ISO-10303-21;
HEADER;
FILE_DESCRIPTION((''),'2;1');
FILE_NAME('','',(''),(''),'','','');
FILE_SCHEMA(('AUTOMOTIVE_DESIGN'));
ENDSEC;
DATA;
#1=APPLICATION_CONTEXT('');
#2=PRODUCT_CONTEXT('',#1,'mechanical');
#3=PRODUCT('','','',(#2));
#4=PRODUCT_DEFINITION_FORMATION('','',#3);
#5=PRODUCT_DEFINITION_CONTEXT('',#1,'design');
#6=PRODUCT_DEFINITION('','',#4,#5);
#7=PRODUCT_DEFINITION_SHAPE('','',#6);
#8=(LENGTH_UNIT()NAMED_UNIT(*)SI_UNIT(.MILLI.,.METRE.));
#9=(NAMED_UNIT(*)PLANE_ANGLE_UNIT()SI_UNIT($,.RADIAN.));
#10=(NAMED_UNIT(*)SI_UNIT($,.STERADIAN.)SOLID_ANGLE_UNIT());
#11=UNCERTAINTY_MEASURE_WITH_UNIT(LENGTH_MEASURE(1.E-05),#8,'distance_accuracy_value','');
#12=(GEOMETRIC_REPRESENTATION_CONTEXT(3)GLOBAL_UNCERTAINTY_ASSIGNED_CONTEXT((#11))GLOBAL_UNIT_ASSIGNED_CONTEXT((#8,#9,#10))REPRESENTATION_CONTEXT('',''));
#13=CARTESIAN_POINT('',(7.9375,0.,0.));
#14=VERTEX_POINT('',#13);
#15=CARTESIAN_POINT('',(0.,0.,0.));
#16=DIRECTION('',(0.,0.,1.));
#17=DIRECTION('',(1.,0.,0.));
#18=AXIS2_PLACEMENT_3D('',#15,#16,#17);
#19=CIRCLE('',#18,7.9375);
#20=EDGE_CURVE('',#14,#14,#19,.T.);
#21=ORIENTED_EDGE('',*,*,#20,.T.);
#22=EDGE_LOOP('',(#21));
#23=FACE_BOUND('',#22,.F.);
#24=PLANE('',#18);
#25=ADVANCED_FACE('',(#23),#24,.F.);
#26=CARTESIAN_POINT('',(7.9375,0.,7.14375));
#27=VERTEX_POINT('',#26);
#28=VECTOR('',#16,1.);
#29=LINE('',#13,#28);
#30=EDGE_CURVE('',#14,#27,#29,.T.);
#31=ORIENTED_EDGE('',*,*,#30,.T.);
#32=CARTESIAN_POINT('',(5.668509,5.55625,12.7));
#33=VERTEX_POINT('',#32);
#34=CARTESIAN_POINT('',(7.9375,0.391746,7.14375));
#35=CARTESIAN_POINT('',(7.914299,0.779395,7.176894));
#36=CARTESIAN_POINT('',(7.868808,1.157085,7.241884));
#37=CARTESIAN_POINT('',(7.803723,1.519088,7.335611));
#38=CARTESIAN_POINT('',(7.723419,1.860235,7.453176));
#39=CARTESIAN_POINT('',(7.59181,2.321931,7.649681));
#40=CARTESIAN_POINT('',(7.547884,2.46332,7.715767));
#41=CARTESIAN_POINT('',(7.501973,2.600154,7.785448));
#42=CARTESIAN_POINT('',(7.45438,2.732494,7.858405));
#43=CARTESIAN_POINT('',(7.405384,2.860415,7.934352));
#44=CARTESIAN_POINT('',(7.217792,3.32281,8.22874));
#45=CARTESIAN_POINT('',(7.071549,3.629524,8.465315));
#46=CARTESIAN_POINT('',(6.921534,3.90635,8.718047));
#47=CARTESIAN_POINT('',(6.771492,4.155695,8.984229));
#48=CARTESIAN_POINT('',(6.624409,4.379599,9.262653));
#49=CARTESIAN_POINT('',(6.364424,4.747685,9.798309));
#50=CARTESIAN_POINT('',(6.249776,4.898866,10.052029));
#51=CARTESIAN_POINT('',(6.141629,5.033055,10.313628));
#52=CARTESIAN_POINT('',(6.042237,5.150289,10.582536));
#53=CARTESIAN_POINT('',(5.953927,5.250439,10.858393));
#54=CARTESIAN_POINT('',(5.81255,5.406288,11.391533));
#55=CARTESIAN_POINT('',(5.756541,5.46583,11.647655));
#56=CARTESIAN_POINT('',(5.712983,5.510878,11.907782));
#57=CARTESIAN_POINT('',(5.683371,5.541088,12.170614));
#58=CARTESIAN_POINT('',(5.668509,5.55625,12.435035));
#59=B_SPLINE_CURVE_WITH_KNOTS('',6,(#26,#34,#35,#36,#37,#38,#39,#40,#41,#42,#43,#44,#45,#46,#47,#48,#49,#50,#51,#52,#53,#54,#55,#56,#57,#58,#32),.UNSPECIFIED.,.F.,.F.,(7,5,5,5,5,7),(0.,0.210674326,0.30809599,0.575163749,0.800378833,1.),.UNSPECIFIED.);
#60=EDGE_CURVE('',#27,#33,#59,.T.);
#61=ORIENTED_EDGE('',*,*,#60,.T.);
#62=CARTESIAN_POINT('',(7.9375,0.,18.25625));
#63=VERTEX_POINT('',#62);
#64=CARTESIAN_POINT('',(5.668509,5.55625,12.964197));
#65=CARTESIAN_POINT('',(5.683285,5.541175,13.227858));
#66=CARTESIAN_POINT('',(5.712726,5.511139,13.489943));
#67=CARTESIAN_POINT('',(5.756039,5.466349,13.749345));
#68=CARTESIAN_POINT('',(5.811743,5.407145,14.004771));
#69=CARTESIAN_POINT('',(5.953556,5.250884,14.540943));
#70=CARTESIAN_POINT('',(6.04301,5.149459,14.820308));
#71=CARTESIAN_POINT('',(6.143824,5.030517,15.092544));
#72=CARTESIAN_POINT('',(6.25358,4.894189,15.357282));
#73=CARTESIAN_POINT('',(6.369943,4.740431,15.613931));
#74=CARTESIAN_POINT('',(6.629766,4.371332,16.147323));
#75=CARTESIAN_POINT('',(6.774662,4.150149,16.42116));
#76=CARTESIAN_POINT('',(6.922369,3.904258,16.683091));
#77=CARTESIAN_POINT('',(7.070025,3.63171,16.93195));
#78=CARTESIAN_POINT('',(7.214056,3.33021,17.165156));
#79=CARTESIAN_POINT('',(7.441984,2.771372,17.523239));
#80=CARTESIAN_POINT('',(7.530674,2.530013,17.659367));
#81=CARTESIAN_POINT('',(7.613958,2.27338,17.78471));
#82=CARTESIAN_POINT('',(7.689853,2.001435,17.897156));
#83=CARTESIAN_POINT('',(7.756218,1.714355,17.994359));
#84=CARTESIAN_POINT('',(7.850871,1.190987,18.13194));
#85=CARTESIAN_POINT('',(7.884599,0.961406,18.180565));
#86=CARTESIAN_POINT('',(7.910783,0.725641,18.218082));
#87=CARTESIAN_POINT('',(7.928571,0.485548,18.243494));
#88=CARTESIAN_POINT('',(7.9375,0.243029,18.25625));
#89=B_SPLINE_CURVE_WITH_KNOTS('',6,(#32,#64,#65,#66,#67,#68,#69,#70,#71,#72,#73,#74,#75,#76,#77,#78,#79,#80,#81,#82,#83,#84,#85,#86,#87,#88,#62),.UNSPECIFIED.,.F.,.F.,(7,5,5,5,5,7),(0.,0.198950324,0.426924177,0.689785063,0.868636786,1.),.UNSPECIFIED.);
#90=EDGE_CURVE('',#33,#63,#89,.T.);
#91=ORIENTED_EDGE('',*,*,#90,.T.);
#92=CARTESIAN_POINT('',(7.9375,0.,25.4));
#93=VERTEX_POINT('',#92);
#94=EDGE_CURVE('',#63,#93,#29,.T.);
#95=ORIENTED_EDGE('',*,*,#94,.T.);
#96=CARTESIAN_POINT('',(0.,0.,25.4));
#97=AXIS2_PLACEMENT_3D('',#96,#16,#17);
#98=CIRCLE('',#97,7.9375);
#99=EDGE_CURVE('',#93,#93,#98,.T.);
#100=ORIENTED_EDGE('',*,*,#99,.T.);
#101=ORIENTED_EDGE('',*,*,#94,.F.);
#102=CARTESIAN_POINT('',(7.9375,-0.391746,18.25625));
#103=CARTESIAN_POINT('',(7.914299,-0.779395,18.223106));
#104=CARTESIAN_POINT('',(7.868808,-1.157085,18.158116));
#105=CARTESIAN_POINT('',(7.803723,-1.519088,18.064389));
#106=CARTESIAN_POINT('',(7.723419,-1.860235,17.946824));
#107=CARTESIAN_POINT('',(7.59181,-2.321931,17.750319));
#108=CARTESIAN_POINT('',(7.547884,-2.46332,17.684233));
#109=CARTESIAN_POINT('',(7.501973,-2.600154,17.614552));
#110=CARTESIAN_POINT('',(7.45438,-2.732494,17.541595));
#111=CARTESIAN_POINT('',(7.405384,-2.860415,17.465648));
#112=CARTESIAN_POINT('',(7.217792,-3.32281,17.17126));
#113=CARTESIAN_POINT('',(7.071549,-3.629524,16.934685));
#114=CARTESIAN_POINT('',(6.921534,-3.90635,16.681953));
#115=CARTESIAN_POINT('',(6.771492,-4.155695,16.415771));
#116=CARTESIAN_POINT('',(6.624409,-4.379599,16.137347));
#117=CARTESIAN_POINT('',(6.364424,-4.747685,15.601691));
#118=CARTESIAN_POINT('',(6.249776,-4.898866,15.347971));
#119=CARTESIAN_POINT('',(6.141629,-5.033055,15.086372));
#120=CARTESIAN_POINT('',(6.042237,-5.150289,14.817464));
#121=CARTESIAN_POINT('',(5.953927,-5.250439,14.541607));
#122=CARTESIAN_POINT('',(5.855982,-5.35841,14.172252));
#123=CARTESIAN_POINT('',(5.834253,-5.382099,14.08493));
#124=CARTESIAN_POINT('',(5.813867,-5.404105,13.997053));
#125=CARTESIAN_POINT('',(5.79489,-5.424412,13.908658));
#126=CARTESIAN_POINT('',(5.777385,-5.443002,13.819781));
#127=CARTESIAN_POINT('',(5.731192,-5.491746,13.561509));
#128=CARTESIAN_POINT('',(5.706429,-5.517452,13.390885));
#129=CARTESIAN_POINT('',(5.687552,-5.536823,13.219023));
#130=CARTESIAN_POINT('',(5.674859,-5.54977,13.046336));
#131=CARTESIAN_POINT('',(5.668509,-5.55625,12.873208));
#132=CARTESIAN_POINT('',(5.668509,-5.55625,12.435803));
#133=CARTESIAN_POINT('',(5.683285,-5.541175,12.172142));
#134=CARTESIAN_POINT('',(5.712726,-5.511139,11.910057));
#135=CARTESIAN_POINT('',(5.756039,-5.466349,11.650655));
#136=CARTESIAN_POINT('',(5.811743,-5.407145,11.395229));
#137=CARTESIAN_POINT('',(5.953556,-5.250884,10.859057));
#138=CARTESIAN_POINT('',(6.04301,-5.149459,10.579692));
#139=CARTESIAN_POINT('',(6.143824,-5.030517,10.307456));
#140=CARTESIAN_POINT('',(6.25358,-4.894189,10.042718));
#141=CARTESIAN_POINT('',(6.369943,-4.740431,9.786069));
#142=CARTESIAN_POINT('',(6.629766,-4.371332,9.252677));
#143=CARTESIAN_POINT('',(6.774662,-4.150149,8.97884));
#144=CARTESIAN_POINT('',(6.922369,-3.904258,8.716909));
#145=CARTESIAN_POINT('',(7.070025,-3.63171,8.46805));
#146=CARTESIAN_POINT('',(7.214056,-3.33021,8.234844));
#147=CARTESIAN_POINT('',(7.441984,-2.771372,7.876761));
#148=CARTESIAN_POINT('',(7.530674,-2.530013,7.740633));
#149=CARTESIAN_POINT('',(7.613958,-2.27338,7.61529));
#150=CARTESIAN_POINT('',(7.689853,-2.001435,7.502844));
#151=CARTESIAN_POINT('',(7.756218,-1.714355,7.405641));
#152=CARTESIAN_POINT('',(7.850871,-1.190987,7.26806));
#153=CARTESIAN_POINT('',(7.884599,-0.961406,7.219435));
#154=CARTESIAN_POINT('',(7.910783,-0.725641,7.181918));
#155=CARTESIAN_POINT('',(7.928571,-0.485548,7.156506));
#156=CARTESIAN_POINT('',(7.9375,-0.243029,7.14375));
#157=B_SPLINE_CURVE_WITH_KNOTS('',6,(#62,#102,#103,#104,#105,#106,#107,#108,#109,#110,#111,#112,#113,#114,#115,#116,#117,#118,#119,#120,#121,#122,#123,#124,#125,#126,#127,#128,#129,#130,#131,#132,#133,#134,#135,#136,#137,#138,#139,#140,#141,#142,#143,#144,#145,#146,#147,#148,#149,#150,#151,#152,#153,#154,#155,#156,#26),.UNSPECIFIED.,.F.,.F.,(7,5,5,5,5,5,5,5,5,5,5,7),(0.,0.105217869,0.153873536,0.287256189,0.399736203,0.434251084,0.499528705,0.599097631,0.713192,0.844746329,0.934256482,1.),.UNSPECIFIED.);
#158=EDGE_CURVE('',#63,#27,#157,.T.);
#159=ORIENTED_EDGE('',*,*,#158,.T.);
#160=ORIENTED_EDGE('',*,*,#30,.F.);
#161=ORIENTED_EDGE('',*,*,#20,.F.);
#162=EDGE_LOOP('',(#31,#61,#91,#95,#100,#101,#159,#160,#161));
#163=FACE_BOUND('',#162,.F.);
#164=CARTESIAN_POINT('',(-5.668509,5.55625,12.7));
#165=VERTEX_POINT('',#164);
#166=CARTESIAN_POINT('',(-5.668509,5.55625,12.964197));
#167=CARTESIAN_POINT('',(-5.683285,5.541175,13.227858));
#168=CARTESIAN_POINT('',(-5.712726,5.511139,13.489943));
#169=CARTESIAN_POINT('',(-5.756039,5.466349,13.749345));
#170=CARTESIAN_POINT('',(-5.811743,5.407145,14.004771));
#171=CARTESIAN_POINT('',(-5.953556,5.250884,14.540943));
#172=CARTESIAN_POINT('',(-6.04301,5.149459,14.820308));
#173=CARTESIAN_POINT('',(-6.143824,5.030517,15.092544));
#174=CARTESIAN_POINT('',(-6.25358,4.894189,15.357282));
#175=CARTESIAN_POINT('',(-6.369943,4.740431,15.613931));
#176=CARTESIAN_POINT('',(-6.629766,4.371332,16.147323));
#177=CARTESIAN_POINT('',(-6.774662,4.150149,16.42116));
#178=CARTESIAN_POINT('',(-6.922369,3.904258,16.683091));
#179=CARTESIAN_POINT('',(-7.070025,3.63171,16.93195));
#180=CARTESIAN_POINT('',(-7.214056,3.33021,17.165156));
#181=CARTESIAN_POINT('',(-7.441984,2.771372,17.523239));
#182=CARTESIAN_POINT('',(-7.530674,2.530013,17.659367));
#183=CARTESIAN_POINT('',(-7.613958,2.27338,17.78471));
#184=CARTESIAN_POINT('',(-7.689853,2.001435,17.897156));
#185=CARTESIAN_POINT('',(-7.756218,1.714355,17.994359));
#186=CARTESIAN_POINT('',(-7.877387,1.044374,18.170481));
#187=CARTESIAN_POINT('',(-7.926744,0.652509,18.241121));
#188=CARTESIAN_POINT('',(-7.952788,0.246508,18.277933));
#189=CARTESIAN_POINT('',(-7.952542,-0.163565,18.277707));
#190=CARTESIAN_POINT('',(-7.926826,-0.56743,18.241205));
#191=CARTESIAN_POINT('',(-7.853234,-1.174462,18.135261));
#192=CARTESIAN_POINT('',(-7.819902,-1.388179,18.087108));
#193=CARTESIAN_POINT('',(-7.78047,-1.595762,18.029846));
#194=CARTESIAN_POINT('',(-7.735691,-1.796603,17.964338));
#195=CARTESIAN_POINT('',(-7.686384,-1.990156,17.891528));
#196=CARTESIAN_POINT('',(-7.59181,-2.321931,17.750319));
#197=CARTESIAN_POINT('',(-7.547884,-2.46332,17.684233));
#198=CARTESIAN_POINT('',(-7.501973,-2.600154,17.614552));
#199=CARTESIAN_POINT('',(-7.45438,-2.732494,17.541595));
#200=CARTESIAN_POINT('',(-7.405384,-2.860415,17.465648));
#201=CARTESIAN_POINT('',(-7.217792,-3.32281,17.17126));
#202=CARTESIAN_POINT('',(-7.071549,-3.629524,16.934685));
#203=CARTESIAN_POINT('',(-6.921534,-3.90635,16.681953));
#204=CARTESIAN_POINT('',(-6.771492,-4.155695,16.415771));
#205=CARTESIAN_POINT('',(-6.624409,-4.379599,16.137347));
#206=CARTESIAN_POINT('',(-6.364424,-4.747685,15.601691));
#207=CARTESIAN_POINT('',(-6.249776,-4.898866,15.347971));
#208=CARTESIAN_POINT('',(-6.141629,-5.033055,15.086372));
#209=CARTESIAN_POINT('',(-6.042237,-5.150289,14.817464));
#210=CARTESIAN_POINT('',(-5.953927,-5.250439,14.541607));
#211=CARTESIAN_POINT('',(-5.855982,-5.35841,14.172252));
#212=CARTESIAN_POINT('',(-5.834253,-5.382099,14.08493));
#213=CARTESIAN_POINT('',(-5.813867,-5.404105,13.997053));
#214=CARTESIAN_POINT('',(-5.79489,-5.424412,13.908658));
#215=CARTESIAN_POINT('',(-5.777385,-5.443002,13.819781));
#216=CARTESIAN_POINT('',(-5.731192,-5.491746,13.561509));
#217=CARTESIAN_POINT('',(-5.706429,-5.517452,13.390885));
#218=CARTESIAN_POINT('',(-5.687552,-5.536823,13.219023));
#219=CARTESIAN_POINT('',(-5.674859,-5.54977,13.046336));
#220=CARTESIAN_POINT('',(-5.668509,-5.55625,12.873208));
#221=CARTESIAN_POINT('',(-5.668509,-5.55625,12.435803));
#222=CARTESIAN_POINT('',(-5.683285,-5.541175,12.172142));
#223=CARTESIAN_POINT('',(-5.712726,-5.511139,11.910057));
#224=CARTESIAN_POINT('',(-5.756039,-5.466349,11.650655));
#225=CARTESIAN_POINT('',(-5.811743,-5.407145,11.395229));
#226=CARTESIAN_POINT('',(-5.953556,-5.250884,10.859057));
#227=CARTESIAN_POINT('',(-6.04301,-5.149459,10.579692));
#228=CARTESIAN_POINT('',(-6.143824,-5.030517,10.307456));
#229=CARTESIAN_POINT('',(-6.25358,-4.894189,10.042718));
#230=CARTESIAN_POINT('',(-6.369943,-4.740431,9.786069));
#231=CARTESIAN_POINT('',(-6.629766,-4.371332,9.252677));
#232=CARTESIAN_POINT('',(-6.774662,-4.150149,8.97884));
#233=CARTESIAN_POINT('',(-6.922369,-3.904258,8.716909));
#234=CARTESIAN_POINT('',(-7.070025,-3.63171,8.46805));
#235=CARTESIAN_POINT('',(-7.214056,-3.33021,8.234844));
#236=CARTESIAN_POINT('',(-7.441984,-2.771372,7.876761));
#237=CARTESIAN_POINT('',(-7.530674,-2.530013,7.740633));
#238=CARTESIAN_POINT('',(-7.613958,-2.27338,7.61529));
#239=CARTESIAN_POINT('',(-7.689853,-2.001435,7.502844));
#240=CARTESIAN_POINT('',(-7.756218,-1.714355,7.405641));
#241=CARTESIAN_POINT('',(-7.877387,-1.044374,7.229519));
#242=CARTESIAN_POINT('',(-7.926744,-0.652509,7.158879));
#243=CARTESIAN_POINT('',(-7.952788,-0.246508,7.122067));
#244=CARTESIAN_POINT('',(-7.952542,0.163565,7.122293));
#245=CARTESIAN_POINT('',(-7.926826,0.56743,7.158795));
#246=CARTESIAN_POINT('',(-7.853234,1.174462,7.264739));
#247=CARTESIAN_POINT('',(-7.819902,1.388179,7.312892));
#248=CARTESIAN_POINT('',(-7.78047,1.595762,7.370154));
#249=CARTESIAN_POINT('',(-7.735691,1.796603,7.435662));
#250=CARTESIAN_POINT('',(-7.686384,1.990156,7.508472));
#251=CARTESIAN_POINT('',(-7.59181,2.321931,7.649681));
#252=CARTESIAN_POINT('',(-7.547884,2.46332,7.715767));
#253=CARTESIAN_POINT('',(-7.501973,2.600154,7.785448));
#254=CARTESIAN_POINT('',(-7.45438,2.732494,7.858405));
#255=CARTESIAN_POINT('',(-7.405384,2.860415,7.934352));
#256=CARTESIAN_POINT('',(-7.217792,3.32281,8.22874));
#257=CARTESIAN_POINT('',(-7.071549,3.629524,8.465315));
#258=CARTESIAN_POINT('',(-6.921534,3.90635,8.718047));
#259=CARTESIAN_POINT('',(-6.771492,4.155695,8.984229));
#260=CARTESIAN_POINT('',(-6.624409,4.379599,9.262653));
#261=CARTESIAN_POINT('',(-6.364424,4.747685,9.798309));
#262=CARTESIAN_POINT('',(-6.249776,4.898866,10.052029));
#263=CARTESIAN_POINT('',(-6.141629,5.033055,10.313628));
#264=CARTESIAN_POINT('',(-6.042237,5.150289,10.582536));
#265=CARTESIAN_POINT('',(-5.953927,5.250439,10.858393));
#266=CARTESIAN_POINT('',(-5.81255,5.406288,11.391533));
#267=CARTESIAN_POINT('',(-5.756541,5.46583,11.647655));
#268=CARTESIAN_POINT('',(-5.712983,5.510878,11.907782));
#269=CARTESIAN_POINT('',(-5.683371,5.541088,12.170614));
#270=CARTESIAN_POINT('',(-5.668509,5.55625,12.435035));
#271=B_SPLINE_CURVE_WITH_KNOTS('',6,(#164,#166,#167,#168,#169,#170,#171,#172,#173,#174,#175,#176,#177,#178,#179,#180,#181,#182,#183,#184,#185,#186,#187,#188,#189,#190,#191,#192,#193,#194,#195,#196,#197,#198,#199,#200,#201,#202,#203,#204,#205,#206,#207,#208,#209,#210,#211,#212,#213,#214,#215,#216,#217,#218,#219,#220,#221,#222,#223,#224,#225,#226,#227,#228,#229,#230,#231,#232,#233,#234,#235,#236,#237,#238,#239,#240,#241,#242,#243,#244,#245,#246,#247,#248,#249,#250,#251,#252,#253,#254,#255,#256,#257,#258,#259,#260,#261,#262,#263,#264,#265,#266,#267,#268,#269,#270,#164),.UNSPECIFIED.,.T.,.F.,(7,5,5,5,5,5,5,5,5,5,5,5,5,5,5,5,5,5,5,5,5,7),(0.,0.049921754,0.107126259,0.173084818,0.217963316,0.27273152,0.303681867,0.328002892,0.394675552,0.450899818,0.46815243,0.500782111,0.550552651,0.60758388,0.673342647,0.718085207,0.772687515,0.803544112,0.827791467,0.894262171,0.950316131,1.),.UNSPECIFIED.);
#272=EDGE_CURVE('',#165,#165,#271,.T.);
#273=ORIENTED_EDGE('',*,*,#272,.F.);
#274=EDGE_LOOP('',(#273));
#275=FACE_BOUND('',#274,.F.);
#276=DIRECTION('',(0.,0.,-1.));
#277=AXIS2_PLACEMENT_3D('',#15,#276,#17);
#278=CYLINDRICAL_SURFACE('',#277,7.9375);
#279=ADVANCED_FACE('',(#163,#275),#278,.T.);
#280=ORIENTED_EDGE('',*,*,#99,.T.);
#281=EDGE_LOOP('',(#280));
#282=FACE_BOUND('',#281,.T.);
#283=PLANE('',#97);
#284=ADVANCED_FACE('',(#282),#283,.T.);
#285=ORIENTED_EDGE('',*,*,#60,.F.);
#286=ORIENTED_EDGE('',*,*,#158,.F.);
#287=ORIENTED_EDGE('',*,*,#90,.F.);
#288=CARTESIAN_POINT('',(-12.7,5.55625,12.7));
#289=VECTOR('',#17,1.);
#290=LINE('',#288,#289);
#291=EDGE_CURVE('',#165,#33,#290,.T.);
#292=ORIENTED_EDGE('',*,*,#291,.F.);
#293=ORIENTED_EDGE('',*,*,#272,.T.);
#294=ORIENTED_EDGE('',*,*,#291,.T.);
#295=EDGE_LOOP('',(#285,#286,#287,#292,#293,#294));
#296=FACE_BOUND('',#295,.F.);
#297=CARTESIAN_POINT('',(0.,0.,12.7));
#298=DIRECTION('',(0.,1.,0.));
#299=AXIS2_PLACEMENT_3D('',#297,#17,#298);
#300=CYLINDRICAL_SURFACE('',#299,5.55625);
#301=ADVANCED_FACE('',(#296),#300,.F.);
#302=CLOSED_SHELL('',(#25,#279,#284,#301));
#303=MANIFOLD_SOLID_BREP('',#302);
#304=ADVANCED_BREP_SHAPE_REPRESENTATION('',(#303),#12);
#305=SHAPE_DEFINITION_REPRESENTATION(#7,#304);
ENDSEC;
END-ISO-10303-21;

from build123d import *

# Parameters (mm, degrees)
F0_R     = 7.9375
F1_DEPTH = 25.4
F2_R     = 5.55625
F3_DEPTH = 12.7


with BuildPart() as f1:
    # F0 (on Top) → F1 (new body)
    with BuildSketch(Plane.XY):
        Circle(F0_R)
    extrude(amount=F1_DEPTH)

    # F2 (on Right) → F3 (cut, symmetric)
    with BuildSketch(Plane.YZ):
        with Locations((0, 12.7)):
            Circle(F2_R)
    extrude(amount=F3_DEPTH, both=True, mode=Mode.SUBTRACT)


solid = f1.part
